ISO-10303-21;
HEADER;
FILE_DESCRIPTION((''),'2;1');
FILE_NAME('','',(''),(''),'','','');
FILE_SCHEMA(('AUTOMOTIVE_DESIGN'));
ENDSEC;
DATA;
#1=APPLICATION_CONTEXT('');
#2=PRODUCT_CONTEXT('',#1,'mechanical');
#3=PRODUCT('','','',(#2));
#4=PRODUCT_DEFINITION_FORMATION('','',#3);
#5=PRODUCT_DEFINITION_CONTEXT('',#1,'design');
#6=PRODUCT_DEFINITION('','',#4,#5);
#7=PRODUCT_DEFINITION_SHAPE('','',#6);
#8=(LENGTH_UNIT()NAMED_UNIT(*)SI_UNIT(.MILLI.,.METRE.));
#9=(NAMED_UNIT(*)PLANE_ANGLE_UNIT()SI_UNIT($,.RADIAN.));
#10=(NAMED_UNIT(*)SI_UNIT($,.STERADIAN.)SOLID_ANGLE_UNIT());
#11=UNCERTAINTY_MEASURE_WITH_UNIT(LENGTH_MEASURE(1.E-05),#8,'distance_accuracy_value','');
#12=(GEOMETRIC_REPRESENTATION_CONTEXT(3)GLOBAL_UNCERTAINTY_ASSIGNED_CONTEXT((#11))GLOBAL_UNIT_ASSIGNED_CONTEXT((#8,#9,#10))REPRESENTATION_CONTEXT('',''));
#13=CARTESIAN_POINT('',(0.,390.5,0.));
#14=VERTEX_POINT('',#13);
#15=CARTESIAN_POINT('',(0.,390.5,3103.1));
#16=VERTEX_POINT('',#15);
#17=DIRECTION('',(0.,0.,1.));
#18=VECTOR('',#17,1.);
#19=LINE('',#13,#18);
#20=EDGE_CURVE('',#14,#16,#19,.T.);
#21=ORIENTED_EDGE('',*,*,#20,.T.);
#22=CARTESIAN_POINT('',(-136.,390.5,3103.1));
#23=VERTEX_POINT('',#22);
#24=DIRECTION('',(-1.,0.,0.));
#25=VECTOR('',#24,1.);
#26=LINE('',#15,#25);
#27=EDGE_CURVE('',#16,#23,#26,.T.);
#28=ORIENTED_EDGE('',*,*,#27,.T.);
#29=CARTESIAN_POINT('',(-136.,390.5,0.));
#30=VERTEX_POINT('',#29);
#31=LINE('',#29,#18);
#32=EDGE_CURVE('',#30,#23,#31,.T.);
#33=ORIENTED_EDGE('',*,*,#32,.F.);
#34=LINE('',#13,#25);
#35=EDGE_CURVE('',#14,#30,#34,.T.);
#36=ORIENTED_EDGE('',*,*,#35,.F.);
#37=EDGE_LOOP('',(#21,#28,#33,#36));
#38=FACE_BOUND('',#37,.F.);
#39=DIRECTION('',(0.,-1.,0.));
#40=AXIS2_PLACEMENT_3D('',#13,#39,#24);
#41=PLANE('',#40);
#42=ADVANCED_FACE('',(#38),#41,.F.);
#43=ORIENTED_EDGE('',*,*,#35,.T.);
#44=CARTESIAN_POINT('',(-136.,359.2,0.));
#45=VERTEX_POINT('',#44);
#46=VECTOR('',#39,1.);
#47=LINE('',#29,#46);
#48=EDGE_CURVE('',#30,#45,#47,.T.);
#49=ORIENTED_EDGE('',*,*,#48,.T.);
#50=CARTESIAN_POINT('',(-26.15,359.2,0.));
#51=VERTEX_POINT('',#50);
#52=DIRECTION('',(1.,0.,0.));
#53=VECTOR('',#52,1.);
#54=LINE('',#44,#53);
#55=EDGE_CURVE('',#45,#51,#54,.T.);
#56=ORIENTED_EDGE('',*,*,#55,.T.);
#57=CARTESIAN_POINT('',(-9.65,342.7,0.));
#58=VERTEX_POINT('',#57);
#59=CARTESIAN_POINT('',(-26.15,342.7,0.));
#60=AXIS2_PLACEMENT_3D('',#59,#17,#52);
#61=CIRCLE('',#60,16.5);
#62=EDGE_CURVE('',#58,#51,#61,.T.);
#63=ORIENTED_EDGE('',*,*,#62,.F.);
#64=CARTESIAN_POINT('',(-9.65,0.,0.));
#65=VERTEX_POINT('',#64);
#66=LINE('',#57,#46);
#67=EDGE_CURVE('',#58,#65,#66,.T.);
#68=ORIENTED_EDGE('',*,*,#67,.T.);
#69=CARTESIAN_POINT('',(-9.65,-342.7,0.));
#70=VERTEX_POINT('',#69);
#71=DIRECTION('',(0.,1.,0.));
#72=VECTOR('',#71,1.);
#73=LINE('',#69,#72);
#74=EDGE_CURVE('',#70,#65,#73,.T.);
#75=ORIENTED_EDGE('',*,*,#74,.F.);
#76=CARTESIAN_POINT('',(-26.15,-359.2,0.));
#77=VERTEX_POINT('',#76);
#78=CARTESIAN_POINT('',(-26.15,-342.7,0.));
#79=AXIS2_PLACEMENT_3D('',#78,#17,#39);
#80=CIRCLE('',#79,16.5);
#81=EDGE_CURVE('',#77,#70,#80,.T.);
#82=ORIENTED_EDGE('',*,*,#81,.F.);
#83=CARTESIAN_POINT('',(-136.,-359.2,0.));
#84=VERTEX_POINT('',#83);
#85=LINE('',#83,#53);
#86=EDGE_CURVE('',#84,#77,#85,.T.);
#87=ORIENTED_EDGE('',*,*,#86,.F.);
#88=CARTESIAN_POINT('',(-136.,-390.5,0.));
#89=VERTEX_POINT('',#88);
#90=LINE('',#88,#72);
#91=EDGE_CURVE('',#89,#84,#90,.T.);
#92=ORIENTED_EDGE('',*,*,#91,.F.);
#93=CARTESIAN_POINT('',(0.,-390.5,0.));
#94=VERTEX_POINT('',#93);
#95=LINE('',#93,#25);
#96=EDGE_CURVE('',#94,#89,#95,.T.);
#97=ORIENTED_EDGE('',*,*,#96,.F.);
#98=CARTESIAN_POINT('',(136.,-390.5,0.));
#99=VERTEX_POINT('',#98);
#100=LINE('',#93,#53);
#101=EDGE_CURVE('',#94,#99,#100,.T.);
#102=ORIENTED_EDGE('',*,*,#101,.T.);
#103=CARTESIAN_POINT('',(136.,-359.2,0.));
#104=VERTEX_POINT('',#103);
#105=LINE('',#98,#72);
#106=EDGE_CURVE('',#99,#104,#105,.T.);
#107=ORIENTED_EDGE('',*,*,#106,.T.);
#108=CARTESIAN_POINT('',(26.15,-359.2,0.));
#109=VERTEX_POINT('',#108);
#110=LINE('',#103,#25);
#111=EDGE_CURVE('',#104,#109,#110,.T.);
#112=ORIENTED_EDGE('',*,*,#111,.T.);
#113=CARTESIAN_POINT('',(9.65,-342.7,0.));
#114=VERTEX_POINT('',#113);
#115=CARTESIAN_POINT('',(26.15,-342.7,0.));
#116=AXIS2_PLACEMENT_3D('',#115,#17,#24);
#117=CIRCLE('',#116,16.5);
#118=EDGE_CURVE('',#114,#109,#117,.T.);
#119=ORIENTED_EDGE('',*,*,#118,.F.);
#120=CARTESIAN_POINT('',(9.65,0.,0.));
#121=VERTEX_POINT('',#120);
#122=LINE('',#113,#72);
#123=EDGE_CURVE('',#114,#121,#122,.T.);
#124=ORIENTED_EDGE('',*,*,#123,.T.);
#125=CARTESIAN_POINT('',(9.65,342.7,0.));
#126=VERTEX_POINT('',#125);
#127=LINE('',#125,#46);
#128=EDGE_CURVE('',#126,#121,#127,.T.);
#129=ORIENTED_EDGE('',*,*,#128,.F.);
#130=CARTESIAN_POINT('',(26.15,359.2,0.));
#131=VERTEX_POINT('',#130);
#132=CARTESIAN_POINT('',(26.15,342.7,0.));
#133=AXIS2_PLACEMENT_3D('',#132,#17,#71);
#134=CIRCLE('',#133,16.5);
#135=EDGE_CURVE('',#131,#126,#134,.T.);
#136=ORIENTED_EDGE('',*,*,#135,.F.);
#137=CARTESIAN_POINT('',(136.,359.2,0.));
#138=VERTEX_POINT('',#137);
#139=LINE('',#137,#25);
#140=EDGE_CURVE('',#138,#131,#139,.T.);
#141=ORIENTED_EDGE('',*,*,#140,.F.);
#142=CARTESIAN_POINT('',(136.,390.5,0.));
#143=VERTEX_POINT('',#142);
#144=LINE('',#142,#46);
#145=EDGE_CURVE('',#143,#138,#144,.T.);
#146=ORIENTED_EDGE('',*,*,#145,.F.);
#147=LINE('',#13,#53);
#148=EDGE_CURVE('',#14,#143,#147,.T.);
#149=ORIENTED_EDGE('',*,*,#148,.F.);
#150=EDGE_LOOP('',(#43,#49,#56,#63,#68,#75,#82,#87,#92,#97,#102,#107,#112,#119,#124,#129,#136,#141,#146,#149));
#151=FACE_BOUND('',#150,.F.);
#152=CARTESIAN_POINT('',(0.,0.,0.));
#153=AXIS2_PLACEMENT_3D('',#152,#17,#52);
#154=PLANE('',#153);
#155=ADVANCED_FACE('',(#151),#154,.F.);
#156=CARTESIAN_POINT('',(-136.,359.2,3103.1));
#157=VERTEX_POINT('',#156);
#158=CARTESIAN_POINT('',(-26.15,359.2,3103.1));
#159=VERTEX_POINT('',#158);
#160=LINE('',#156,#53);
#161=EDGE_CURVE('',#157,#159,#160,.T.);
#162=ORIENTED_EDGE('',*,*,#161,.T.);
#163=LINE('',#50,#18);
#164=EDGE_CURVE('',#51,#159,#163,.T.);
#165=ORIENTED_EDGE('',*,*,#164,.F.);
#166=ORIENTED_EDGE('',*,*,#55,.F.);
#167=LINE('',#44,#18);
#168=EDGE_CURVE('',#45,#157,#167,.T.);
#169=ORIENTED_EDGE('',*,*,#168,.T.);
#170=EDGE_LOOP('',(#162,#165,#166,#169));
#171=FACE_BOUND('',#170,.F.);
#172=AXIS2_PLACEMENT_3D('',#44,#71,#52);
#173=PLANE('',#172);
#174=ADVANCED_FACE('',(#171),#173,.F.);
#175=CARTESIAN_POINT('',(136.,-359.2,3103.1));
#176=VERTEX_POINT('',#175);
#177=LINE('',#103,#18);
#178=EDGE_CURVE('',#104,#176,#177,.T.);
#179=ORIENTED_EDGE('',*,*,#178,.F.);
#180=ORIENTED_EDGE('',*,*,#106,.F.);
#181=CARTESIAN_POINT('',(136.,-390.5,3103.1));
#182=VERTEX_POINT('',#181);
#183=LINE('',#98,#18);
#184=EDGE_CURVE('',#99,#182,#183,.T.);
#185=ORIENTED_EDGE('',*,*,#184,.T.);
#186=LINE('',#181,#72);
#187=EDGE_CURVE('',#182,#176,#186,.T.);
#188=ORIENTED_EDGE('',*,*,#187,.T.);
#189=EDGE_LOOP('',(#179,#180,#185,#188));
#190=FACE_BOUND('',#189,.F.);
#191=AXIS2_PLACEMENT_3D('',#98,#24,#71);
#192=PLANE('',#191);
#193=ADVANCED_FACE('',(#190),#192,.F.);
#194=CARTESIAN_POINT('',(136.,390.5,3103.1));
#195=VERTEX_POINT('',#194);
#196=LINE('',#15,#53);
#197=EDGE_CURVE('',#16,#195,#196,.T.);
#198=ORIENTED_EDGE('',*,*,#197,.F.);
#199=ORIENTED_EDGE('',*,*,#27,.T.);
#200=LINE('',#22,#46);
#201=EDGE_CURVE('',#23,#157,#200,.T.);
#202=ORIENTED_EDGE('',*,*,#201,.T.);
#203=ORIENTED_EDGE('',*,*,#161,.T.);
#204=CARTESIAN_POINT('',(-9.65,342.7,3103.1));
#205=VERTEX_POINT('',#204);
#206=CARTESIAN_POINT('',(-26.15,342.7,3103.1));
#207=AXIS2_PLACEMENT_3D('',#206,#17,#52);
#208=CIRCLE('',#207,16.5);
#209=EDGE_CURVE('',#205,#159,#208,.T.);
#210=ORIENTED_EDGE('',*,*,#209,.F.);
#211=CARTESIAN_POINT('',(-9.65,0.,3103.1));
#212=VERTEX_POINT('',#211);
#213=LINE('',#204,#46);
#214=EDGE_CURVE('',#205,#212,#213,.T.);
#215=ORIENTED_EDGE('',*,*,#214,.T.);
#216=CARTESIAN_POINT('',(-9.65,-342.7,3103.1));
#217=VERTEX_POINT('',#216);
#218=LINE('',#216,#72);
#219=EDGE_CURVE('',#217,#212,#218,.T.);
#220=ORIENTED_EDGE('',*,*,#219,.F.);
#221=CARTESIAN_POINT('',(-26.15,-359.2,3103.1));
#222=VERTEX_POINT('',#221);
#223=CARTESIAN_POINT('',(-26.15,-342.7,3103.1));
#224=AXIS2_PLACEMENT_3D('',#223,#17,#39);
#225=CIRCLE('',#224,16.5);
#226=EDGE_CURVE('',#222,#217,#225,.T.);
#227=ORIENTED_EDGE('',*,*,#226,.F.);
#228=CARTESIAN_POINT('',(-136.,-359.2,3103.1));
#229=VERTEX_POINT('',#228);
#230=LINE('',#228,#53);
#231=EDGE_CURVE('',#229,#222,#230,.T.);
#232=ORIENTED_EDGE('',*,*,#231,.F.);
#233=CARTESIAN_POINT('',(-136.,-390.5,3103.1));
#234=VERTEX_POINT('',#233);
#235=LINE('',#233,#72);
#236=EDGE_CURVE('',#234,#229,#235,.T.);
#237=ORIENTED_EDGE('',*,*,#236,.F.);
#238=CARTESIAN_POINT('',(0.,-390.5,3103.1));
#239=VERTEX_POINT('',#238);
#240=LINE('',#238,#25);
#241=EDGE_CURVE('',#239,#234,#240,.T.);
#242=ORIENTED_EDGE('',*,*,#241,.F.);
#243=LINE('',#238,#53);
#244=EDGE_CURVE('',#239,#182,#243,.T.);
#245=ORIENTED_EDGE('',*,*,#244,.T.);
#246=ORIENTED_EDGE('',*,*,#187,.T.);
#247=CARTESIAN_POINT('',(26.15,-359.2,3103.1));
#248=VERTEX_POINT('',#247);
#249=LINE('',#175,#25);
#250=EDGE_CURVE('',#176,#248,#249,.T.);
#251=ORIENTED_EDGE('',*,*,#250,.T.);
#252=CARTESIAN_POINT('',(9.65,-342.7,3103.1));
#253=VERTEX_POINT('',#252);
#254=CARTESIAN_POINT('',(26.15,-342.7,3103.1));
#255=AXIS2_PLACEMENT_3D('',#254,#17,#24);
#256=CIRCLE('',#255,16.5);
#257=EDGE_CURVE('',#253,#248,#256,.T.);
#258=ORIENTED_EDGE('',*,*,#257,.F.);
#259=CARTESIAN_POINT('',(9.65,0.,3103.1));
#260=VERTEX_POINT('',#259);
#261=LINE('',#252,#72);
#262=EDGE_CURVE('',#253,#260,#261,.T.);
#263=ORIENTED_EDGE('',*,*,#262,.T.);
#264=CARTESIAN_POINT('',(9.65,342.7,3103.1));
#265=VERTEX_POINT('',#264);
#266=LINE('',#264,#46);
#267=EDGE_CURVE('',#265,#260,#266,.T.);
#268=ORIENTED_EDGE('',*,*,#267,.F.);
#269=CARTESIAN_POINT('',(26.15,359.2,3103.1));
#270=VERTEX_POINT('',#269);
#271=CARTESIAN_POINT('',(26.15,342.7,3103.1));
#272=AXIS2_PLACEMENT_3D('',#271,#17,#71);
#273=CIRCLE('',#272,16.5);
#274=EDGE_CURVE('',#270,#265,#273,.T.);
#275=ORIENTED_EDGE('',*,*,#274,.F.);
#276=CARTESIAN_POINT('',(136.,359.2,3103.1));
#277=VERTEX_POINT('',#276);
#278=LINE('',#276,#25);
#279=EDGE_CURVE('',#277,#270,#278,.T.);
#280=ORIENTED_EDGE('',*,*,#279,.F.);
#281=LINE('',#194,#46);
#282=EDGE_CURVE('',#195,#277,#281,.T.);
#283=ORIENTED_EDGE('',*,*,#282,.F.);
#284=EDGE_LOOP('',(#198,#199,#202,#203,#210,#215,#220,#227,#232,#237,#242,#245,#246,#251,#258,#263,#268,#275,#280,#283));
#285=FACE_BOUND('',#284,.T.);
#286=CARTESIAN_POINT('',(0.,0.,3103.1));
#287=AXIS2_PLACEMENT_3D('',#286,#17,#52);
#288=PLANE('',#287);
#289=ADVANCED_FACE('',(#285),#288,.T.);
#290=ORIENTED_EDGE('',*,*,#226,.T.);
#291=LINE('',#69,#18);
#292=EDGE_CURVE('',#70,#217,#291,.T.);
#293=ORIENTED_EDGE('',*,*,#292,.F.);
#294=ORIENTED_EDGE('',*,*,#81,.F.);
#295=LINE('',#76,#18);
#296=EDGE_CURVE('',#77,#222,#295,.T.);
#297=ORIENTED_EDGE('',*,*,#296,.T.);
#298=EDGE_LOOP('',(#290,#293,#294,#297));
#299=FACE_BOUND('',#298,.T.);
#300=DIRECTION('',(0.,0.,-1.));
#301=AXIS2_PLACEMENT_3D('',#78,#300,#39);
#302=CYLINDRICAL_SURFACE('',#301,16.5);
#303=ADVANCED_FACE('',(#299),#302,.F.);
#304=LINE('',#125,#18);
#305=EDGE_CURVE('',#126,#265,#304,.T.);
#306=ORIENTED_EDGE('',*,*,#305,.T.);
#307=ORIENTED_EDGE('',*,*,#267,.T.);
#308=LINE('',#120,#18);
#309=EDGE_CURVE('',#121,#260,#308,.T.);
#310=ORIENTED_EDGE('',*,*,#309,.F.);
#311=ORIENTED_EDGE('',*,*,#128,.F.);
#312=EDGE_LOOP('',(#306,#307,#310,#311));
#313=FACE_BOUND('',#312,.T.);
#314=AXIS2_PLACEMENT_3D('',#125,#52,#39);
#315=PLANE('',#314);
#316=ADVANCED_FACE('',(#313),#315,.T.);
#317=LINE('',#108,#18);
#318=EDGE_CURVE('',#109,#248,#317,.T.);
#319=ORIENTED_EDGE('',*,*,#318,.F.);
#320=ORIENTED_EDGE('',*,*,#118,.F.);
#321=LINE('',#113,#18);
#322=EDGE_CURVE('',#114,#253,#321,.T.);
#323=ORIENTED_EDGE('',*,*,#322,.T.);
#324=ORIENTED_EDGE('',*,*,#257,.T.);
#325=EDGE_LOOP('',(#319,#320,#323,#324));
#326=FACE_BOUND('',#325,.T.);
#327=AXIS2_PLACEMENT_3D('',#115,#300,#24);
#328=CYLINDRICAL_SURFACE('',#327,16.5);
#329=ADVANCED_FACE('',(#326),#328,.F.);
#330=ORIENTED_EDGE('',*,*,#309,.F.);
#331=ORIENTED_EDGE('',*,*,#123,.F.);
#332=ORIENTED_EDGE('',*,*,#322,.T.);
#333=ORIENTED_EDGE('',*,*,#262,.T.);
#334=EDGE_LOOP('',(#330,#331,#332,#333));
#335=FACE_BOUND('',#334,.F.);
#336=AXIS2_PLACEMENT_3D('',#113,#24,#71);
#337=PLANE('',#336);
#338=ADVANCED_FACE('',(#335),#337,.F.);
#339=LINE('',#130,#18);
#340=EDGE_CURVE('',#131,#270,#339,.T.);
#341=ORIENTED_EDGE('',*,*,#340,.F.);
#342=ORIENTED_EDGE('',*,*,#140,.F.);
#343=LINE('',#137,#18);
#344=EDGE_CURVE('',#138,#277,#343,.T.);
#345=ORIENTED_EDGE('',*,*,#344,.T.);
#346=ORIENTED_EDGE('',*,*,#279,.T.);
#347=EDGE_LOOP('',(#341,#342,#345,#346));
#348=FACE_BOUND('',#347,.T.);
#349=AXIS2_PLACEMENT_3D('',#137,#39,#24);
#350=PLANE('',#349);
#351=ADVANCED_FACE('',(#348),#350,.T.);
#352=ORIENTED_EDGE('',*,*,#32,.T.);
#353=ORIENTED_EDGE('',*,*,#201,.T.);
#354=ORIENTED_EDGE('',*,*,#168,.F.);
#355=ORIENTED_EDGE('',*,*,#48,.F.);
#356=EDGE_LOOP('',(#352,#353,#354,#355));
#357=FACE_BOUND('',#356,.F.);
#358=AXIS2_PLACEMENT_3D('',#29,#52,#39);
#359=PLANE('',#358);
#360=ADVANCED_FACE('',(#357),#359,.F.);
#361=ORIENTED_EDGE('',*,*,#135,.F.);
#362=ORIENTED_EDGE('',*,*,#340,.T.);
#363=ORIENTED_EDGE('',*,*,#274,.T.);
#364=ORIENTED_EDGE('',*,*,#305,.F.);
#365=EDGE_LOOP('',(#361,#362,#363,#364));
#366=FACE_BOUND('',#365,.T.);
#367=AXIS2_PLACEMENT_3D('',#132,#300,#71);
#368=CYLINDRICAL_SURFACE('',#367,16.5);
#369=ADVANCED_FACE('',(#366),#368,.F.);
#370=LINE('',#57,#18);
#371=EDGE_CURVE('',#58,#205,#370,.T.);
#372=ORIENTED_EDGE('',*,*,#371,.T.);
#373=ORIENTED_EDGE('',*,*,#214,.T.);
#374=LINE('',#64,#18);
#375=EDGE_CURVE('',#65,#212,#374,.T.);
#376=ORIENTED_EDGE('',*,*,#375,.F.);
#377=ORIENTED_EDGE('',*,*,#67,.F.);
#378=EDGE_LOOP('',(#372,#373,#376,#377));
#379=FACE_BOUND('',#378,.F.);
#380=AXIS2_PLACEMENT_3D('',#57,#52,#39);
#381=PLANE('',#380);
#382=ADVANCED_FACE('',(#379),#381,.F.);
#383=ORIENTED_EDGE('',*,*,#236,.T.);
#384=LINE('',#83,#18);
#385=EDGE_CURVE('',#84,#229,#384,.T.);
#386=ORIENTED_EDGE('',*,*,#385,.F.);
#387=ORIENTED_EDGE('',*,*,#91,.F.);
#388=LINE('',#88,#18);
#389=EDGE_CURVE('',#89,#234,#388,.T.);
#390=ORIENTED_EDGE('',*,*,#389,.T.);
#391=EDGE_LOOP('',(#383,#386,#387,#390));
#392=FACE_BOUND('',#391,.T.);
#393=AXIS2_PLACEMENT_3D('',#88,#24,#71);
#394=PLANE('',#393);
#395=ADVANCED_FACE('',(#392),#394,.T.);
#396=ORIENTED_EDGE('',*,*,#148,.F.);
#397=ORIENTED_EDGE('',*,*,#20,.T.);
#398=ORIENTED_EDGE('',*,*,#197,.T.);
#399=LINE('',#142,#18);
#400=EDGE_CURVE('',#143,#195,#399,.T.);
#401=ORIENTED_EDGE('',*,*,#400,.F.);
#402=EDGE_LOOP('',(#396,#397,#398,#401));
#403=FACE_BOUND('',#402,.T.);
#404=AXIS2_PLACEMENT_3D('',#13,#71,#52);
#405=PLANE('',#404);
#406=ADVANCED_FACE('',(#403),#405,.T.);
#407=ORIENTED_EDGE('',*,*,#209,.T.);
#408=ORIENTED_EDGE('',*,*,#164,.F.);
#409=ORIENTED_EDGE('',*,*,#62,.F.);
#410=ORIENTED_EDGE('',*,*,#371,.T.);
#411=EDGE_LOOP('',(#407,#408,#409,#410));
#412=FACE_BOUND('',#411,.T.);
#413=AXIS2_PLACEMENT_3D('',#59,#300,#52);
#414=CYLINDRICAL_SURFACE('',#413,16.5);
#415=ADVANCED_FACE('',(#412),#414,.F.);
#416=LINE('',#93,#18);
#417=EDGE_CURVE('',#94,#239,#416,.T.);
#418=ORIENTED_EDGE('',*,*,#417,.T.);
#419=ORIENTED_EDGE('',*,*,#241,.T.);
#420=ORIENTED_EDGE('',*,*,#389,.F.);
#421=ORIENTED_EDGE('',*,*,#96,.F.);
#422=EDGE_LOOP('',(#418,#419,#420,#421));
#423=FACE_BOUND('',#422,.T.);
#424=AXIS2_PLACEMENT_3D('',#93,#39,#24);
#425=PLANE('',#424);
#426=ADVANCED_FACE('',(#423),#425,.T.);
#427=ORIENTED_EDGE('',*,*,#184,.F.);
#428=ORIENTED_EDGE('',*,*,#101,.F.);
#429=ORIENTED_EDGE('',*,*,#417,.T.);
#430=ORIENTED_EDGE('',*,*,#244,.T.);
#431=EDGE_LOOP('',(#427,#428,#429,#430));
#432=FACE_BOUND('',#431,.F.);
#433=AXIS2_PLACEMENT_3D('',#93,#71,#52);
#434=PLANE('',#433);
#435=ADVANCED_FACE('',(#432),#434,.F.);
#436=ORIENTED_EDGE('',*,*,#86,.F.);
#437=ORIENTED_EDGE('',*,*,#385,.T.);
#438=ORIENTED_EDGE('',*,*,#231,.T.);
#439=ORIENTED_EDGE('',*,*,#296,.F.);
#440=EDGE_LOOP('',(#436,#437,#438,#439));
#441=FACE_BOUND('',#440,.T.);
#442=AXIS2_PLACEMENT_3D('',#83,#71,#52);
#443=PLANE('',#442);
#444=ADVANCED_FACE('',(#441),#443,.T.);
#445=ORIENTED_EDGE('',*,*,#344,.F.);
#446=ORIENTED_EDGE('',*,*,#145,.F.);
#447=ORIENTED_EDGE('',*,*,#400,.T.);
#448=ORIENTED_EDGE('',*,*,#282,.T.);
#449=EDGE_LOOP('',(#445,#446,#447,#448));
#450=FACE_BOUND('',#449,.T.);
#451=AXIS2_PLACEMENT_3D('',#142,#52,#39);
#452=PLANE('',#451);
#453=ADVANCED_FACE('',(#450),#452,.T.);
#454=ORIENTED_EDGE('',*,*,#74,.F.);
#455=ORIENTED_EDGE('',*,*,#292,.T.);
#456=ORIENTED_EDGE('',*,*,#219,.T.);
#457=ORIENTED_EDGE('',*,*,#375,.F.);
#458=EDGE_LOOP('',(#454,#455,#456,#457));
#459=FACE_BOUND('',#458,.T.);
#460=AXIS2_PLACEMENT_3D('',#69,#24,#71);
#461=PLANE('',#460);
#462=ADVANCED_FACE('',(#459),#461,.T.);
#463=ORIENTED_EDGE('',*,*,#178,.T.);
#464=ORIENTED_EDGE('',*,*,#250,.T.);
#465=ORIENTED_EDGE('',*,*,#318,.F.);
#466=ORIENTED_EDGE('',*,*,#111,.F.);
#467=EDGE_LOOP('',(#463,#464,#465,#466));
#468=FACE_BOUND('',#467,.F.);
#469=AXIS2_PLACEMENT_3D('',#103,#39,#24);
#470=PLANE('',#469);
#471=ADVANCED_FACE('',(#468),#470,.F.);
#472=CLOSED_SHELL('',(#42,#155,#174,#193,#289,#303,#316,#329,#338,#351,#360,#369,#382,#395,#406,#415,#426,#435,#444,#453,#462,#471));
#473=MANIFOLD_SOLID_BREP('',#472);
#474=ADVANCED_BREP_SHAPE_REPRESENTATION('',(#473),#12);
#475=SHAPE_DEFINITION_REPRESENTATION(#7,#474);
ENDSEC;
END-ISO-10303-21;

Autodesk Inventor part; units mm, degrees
ref_plane "YZ Plane" through (0, 0, 0) normal (1, 0, 0) x (0, 1, 0)
ref_plane "Start plane" through (0, 0, 0) normal (0, 0, 1) x (1, 0, 0)
ref_plane "End plane" through (0, 0, 3103.1) normal (0, 0, 1) x (1, 0, 0)
sketch "Sketch" plane through (0, 0, 0) normal (0, 0, 1) x (1, 0, 0)
  line L0 (-136, -390.5) -> (-136, -359.2)
  line L1 (-136, -359.2) -> (-26.15, -359.2)
  line L2 (-9.65, -342.7) -> (-9.65, 0)
  line L3 (-9.65, 0) -> (0, 0) construction
  line L4 (0, 0) -> (0, -390.5) construction
  line L5 (0, -390.5) -> (-136, -390.5)
  line L6 (-60, 0) -> (80, 0) construction
  line L7 (0, -60) -> (0, 80) construction
  line L8 (136, -390.5) -> (136, -359.2)
  line L9 (136, -359.2) -> (26.15, -359.2)
  line L10 (9.65, -342.7) -> (9.65, 0)
  line L11 (9.65, 0) -> (0, 0) construction
  line L12 (0, -390.5) -> (136, -390.5)
  line L13 (-136, 390.5) -> (-136, 359.2)
  line L14 (-136, 359.2) -> (-26.15, 359.2)
  line L15 (-9.65, 342.7) -> (-9.65, 0)
  line L16 (0, 390.5) -> (-136, 390.5)
  line L17 (136, 390.5) -> (136, 359.2)
  line L18 (136, 359.2) -> (26.15, 359.2)
  line L19 (0, 390.5) -> (136, 390.5)
  line L20 (9.65, 342.7) -> (9.65, 0)
  arc A0 (-9.65, 342.7) -> (-26.15, 359.2) centre (-26.15, 342.7) ccw
  arc A1 (26.15, 359.2) -> (9.65, 342.7) centre (26.15, 342.7) ccw
  arc A2 (9.65, -342.7) -> (26.15, -359.2) centre (26.15, -342.7) ccw
  arc A3 (-26.15, -359.2) -> (-9.65, -342.7) centre (-26.15, -342.7) ccw
  line L21 (0, 108) -> (0, -88) construction
  line L22 (-88, 0) -> (108, 0) construction
  point P0 (-9.65, -359.2)
  point P1 (9.65, -359.2)
  point P2 (-9.65, 359.2)
  point P3 (9.65, 359.2)
  dimension "d1" = 390.5
  dimension "d2" = 31.3
  dimension "d3" = 136
  dimension "d4" = 9.65
  dimension "d10" = 16.5
extrude "Body" add sketch "Sketch" along normal up to surface (3103.1 mm away) from surface at 0
sketch "Sketch4" plane through (0, 0, 0) normal (0, 0, 1) x (1, 0, 0)
  line L0 (0, 0) -> (10, 0)
ref_plane "Work Plane3" through (0, 0, 0) normal (0, -1, 0) x (1, 0, 0)
sketch "Sketch5" plane through (0, 0, 0) normal (0, -1, 0) x (1, 0, 0)
  line L0 (-2, 0) -> (12, 0) projected
  line L1 (-2, 3103.1) -> (12, 3103.1) projected
  dimension "d14" = 3103.1
equation "\"d1\" = 0.5 * G_H"
equation "\"d2\" = G_T1"
equation "\"d3\" = 0.5 * G_W"
equation "\"d4\" = 0.5 * G_T"
equation "\"d10\" = G_IR"
equation "\"d5\" = G_L"
equation "\"G_W\" = 272"
equation "\"G_H\" = 781"
equation "\"G_T\" = 19.3"
equation "\"G_T1\" = 31.3"
equation "\"G_IR\" = 16.5"
equation "\"G_L\" = d14"
equation "\"G_OFFSET_START\" = 0"
equation "\"G_OFFSET_END\" = 0"
equation "\"d12\" = G_OFFSET_END + B_L"
equation "\"B_L\" = 3103.1"
properties part number "AS 3679-1990 - 760 UB - 244 - 3103.1" material "Steel, Mild"
